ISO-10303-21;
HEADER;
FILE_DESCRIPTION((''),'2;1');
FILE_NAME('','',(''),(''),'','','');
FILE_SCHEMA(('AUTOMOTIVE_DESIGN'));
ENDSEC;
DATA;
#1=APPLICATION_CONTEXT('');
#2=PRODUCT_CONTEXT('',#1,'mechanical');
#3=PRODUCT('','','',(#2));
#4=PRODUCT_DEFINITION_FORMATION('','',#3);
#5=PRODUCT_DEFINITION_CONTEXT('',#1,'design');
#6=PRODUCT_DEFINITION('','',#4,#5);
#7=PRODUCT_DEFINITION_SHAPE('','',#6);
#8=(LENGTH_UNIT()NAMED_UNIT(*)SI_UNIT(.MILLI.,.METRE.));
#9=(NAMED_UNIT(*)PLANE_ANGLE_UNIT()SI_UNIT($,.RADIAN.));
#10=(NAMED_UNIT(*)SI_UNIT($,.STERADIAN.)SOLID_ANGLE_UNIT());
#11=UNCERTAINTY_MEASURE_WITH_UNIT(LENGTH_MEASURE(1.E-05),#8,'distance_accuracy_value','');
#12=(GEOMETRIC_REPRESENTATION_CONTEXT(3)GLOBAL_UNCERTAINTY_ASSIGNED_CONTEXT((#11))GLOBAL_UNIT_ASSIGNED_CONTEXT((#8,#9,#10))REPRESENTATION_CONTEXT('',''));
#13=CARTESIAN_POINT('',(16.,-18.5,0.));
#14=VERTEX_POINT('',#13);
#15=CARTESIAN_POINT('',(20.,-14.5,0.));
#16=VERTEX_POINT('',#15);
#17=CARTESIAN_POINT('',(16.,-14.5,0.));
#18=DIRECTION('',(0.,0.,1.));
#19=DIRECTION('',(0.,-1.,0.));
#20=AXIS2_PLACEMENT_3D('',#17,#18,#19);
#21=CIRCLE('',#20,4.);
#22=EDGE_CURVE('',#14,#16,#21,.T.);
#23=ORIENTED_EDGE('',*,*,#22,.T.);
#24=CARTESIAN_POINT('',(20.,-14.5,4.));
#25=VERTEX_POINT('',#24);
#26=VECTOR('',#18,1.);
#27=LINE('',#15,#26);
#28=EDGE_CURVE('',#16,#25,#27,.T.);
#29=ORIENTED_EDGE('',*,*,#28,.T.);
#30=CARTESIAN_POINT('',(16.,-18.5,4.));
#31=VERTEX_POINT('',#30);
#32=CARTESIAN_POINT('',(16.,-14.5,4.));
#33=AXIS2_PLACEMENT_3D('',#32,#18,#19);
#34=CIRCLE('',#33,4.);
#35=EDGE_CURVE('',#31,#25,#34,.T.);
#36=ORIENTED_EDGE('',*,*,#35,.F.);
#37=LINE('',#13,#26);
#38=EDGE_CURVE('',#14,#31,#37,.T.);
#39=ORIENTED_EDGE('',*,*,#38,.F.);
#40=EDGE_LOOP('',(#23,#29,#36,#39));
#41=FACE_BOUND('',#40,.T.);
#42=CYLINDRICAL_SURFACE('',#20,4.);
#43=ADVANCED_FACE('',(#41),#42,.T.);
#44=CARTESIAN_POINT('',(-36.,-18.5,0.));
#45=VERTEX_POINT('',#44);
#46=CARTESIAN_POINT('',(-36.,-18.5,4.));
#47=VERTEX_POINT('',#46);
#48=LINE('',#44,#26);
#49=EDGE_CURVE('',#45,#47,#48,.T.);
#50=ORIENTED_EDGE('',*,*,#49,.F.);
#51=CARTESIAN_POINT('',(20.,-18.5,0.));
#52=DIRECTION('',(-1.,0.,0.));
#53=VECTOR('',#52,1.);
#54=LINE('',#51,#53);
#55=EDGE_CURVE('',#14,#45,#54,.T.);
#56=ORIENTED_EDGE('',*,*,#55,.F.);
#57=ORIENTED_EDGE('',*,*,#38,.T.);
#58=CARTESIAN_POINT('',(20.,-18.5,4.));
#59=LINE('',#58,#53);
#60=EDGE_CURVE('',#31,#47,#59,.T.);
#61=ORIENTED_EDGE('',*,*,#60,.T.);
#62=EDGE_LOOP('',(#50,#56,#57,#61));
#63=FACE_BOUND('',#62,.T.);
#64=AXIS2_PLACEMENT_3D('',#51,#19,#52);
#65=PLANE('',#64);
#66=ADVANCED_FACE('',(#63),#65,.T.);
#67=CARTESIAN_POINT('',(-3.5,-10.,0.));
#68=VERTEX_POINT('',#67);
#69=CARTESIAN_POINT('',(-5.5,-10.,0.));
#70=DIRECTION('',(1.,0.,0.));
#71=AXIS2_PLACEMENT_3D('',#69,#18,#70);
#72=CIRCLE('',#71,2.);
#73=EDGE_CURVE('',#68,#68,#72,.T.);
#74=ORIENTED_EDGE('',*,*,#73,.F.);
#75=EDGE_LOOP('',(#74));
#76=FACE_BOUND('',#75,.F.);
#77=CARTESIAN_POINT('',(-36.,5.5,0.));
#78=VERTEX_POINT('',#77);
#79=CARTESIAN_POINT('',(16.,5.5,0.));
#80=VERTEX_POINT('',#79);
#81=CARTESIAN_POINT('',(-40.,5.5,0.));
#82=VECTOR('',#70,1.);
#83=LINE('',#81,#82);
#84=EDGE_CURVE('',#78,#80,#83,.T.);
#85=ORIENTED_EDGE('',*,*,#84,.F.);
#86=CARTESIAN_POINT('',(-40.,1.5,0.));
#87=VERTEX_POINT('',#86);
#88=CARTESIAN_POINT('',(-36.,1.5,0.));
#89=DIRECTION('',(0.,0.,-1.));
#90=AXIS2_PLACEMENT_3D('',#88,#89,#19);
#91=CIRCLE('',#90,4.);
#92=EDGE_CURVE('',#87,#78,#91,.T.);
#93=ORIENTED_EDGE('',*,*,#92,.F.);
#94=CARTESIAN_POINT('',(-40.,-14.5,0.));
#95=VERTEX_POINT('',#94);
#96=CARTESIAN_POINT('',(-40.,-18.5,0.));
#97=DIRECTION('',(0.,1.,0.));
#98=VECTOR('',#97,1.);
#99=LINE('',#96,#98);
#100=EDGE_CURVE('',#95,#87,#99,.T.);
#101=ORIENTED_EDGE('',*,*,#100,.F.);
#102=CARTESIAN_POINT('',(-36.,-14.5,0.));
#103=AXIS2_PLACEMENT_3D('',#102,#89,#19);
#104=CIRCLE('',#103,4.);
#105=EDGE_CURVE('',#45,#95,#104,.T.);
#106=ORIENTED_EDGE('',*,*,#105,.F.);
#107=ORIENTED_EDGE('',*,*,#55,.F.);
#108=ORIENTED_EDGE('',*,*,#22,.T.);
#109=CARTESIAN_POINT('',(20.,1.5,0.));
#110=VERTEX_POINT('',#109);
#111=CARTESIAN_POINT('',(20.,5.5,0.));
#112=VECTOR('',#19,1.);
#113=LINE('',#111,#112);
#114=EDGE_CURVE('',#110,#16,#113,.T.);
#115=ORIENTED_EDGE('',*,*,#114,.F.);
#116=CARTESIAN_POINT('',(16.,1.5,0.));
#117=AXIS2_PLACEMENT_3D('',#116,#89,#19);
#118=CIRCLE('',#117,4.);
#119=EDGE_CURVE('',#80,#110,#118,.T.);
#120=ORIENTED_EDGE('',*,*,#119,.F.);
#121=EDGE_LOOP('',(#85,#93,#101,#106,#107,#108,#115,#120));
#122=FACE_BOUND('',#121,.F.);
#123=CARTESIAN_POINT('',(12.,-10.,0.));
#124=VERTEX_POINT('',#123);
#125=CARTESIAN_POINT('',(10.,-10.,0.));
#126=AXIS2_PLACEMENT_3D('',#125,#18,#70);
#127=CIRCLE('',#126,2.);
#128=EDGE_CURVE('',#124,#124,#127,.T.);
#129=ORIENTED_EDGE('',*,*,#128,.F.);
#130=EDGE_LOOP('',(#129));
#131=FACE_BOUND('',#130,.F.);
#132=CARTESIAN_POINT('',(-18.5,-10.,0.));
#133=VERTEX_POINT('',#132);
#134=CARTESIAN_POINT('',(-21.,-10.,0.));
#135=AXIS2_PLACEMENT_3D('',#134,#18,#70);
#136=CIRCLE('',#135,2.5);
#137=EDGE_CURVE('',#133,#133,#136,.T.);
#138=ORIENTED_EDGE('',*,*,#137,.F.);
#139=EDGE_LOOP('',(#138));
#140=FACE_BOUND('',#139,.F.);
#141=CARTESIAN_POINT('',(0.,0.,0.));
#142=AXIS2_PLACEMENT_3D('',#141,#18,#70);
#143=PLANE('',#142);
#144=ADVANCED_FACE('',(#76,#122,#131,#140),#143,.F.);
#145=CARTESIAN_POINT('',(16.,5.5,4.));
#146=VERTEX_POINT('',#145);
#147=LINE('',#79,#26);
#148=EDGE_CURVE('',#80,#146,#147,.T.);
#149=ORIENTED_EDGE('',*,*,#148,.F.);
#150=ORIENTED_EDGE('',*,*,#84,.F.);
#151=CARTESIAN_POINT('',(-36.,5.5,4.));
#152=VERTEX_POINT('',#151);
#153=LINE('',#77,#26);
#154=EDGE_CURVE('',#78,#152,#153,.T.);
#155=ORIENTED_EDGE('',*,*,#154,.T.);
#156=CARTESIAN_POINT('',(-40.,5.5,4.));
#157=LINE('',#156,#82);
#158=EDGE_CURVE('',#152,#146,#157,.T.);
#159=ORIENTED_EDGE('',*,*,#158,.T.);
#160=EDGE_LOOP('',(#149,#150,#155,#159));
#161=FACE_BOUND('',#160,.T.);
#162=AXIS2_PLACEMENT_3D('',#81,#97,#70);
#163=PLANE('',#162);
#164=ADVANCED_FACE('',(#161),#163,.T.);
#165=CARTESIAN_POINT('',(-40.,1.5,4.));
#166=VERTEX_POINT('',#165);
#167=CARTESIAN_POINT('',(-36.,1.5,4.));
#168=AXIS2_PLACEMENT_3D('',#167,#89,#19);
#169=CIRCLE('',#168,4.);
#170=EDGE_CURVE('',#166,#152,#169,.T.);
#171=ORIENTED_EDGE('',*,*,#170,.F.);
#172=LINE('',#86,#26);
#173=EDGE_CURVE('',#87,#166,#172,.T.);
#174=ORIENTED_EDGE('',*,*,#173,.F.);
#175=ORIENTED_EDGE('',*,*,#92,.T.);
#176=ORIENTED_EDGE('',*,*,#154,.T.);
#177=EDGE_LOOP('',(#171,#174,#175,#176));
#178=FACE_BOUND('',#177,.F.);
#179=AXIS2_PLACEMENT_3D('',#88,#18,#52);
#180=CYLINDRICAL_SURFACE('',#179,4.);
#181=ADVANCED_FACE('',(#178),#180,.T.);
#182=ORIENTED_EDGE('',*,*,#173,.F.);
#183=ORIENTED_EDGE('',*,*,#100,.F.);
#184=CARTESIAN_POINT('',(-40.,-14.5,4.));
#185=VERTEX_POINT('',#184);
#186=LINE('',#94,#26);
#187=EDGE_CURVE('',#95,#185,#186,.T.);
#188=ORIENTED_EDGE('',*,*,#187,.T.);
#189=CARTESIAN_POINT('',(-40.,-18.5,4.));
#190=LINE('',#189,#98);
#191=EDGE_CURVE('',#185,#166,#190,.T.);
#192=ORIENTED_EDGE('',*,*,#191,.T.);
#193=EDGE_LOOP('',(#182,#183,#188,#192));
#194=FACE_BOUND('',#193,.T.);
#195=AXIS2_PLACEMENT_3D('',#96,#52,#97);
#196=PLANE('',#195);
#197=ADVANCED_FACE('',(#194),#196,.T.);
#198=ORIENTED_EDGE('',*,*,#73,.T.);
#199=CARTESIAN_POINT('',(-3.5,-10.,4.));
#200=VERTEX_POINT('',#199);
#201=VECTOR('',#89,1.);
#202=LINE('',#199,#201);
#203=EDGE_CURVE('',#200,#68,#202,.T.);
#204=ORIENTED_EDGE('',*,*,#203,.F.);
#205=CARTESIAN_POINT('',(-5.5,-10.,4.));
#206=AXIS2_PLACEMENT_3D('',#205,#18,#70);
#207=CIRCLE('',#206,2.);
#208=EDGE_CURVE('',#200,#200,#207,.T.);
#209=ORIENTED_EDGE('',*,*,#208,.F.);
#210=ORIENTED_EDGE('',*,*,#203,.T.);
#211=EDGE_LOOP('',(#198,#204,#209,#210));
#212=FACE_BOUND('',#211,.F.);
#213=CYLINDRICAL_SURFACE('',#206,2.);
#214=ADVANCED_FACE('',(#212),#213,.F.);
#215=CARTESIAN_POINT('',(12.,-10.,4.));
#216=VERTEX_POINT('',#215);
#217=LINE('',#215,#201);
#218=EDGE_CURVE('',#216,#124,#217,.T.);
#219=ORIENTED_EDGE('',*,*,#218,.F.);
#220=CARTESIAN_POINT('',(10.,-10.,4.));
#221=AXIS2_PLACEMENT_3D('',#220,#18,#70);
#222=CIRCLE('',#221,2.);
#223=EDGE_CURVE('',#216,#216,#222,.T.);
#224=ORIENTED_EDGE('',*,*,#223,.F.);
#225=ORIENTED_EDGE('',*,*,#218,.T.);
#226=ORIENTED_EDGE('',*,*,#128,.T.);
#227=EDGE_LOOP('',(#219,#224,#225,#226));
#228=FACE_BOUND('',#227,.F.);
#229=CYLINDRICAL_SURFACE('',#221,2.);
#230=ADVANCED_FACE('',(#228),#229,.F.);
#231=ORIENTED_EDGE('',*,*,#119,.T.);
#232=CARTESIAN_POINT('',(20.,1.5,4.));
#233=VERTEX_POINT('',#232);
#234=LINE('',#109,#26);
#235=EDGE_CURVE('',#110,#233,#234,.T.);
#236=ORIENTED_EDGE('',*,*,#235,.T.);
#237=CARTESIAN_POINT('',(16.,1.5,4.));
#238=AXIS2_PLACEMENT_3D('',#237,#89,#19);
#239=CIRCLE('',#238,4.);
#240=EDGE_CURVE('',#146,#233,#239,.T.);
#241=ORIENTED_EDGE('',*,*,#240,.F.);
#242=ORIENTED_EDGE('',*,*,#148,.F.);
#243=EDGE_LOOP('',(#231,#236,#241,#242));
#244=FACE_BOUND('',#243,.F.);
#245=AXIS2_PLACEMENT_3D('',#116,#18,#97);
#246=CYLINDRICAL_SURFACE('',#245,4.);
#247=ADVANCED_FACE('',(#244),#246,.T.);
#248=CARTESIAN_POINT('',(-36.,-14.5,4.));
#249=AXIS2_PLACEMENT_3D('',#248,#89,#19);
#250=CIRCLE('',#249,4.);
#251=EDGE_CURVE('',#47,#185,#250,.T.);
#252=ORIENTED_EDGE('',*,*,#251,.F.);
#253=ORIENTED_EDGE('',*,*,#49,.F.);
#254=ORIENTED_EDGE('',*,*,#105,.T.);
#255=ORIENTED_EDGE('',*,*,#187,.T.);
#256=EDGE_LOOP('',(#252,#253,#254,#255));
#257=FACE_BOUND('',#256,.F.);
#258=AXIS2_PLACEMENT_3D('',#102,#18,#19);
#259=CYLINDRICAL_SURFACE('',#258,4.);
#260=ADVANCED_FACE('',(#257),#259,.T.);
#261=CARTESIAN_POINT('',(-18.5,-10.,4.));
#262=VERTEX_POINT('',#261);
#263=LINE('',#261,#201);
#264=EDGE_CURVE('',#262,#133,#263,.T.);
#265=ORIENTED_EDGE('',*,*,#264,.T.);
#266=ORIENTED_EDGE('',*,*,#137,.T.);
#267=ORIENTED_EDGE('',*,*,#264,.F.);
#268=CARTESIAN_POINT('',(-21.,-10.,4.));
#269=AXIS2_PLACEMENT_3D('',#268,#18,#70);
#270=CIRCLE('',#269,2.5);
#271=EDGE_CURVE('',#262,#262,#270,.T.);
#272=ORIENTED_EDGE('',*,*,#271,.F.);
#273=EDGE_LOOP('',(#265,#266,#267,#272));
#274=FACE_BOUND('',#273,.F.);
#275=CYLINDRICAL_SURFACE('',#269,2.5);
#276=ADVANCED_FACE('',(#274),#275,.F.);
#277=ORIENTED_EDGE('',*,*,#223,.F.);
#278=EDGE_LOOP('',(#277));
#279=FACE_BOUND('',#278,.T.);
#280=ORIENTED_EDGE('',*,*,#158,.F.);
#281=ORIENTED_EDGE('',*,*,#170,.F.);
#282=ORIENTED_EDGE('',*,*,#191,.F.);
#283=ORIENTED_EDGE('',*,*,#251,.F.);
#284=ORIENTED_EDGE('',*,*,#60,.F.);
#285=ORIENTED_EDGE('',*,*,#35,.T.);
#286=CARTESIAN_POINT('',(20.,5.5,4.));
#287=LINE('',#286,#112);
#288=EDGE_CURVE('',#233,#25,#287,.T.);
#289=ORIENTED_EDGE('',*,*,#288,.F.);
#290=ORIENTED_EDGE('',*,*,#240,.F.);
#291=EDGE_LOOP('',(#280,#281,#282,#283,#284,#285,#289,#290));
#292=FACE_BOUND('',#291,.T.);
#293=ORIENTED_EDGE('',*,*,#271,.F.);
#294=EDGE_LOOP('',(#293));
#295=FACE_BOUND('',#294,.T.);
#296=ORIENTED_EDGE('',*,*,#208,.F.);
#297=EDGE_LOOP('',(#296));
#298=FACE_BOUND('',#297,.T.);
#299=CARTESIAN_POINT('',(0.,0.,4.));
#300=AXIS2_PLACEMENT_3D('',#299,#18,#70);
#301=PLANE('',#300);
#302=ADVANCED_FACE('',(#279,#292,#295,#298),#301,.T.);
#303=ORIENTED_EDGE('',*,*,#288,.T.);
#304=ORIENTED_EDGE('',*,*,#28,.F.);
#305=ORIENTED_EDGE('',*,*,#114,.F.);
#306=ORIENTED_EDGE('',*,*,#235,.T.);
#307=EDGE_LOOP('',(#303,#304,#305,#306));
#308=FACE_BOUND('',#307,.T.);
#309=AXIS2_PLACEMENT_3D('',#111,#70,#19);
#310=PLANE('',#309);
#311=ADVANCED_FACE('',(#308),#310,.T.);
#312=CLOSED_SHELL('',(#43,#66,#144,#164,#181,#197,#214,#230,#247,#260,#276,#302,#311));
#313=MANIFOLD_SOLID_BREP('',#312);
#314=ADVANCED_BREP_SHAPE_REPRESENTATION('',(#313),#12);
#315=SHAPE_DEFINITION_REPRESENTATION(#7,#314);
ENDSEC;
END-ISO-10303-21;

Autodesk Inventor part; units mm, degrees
ref_plane "YZ Plane" through (0, 0, 0) normal (1, 0, 0) x (0, 1, 0)
ref_plane "XZ Plane" through (0, 0, 0) normal (0, 1, 0) x (-1, 0, 0)
ref_plane "XY Plane" through (0, 0, 0) normal (0, 0, 1) x (1, 0, 0)
sketch "Эскиз1" plane through (0, 0, 0) normal (0, 0, 1) x (1, 0, 0)
  line L0 (20, -18.5) -> (20, -13.95) construction
  line L1 (-240, -18.5) -> (20, -18.5) construction
  line L2 (20, -18.5) -> (-40, -18.5)
  line L3 (-40, -18.5) -> (-40, 5.5)
  line L4 (-40, 5.5) -> (20, 5.5)
  line L5 (20, 5.5) -> (20, -18.5)
  point P0 (0, 0)
  dimension "d0" = 60
  dimension "d1" = 24
extrude "Выдавливание1" add sketch "Эскиз1" along normal blind 4
fillet "Сопряжение1" radius 4 4 edges at (-40, 5.5, 2) (-40, -18.5, 2) (20, -18.5, 2) (20, 5.5, 2)
sketch "Эскиз2" plane through (0, 0, 4) normal (0, 0, 1) x (1, 0, 0)
  circle A0 centre (-21, 219) radius 7.5 construction
  line L0 (-21, 219) -> (-21, -6.68) construction
  arc A1 (-40, -14.5) -> (-36, -18.5) centre (-36, -14.5) ccw construction
  arc A2 (20, 1.5) -> (16, 5.5) centre (16, 1.5) ccw construction
  line L1 (-10, -6.5) -> (-40, -6.5) construction
  line L2 (-240, -6.68) -> (20, -6.68) construction
  line L3 (-240, -13.32) -> (20, -13.32) construction
  line L4 (-21, -6.68) -> (-21, -13.32) construction
  line L5 (-21, -13.32) -> (-21, -31) construction
  circle A3 centre (-21, -10) radius 2.5
  circle A4 centre (-5.5, -10) radius 2
  circle A5 centre (10, -10) radius 2
  line L6 (20, -14.5) -> (20, 1.5) projected
  point P0 (0, 0)
  dimension "d5" = 250
  dimension "d6" = 5
  dimension "d7" = 4
  dimension "d8" = 4
  dimension "d9" = 10
  dimension "d10" = 15.5
extrude "Выдавливание2" cut sketch "Эскиз2" against normal blind 4
properties part number "креп. пасс. ролика"
